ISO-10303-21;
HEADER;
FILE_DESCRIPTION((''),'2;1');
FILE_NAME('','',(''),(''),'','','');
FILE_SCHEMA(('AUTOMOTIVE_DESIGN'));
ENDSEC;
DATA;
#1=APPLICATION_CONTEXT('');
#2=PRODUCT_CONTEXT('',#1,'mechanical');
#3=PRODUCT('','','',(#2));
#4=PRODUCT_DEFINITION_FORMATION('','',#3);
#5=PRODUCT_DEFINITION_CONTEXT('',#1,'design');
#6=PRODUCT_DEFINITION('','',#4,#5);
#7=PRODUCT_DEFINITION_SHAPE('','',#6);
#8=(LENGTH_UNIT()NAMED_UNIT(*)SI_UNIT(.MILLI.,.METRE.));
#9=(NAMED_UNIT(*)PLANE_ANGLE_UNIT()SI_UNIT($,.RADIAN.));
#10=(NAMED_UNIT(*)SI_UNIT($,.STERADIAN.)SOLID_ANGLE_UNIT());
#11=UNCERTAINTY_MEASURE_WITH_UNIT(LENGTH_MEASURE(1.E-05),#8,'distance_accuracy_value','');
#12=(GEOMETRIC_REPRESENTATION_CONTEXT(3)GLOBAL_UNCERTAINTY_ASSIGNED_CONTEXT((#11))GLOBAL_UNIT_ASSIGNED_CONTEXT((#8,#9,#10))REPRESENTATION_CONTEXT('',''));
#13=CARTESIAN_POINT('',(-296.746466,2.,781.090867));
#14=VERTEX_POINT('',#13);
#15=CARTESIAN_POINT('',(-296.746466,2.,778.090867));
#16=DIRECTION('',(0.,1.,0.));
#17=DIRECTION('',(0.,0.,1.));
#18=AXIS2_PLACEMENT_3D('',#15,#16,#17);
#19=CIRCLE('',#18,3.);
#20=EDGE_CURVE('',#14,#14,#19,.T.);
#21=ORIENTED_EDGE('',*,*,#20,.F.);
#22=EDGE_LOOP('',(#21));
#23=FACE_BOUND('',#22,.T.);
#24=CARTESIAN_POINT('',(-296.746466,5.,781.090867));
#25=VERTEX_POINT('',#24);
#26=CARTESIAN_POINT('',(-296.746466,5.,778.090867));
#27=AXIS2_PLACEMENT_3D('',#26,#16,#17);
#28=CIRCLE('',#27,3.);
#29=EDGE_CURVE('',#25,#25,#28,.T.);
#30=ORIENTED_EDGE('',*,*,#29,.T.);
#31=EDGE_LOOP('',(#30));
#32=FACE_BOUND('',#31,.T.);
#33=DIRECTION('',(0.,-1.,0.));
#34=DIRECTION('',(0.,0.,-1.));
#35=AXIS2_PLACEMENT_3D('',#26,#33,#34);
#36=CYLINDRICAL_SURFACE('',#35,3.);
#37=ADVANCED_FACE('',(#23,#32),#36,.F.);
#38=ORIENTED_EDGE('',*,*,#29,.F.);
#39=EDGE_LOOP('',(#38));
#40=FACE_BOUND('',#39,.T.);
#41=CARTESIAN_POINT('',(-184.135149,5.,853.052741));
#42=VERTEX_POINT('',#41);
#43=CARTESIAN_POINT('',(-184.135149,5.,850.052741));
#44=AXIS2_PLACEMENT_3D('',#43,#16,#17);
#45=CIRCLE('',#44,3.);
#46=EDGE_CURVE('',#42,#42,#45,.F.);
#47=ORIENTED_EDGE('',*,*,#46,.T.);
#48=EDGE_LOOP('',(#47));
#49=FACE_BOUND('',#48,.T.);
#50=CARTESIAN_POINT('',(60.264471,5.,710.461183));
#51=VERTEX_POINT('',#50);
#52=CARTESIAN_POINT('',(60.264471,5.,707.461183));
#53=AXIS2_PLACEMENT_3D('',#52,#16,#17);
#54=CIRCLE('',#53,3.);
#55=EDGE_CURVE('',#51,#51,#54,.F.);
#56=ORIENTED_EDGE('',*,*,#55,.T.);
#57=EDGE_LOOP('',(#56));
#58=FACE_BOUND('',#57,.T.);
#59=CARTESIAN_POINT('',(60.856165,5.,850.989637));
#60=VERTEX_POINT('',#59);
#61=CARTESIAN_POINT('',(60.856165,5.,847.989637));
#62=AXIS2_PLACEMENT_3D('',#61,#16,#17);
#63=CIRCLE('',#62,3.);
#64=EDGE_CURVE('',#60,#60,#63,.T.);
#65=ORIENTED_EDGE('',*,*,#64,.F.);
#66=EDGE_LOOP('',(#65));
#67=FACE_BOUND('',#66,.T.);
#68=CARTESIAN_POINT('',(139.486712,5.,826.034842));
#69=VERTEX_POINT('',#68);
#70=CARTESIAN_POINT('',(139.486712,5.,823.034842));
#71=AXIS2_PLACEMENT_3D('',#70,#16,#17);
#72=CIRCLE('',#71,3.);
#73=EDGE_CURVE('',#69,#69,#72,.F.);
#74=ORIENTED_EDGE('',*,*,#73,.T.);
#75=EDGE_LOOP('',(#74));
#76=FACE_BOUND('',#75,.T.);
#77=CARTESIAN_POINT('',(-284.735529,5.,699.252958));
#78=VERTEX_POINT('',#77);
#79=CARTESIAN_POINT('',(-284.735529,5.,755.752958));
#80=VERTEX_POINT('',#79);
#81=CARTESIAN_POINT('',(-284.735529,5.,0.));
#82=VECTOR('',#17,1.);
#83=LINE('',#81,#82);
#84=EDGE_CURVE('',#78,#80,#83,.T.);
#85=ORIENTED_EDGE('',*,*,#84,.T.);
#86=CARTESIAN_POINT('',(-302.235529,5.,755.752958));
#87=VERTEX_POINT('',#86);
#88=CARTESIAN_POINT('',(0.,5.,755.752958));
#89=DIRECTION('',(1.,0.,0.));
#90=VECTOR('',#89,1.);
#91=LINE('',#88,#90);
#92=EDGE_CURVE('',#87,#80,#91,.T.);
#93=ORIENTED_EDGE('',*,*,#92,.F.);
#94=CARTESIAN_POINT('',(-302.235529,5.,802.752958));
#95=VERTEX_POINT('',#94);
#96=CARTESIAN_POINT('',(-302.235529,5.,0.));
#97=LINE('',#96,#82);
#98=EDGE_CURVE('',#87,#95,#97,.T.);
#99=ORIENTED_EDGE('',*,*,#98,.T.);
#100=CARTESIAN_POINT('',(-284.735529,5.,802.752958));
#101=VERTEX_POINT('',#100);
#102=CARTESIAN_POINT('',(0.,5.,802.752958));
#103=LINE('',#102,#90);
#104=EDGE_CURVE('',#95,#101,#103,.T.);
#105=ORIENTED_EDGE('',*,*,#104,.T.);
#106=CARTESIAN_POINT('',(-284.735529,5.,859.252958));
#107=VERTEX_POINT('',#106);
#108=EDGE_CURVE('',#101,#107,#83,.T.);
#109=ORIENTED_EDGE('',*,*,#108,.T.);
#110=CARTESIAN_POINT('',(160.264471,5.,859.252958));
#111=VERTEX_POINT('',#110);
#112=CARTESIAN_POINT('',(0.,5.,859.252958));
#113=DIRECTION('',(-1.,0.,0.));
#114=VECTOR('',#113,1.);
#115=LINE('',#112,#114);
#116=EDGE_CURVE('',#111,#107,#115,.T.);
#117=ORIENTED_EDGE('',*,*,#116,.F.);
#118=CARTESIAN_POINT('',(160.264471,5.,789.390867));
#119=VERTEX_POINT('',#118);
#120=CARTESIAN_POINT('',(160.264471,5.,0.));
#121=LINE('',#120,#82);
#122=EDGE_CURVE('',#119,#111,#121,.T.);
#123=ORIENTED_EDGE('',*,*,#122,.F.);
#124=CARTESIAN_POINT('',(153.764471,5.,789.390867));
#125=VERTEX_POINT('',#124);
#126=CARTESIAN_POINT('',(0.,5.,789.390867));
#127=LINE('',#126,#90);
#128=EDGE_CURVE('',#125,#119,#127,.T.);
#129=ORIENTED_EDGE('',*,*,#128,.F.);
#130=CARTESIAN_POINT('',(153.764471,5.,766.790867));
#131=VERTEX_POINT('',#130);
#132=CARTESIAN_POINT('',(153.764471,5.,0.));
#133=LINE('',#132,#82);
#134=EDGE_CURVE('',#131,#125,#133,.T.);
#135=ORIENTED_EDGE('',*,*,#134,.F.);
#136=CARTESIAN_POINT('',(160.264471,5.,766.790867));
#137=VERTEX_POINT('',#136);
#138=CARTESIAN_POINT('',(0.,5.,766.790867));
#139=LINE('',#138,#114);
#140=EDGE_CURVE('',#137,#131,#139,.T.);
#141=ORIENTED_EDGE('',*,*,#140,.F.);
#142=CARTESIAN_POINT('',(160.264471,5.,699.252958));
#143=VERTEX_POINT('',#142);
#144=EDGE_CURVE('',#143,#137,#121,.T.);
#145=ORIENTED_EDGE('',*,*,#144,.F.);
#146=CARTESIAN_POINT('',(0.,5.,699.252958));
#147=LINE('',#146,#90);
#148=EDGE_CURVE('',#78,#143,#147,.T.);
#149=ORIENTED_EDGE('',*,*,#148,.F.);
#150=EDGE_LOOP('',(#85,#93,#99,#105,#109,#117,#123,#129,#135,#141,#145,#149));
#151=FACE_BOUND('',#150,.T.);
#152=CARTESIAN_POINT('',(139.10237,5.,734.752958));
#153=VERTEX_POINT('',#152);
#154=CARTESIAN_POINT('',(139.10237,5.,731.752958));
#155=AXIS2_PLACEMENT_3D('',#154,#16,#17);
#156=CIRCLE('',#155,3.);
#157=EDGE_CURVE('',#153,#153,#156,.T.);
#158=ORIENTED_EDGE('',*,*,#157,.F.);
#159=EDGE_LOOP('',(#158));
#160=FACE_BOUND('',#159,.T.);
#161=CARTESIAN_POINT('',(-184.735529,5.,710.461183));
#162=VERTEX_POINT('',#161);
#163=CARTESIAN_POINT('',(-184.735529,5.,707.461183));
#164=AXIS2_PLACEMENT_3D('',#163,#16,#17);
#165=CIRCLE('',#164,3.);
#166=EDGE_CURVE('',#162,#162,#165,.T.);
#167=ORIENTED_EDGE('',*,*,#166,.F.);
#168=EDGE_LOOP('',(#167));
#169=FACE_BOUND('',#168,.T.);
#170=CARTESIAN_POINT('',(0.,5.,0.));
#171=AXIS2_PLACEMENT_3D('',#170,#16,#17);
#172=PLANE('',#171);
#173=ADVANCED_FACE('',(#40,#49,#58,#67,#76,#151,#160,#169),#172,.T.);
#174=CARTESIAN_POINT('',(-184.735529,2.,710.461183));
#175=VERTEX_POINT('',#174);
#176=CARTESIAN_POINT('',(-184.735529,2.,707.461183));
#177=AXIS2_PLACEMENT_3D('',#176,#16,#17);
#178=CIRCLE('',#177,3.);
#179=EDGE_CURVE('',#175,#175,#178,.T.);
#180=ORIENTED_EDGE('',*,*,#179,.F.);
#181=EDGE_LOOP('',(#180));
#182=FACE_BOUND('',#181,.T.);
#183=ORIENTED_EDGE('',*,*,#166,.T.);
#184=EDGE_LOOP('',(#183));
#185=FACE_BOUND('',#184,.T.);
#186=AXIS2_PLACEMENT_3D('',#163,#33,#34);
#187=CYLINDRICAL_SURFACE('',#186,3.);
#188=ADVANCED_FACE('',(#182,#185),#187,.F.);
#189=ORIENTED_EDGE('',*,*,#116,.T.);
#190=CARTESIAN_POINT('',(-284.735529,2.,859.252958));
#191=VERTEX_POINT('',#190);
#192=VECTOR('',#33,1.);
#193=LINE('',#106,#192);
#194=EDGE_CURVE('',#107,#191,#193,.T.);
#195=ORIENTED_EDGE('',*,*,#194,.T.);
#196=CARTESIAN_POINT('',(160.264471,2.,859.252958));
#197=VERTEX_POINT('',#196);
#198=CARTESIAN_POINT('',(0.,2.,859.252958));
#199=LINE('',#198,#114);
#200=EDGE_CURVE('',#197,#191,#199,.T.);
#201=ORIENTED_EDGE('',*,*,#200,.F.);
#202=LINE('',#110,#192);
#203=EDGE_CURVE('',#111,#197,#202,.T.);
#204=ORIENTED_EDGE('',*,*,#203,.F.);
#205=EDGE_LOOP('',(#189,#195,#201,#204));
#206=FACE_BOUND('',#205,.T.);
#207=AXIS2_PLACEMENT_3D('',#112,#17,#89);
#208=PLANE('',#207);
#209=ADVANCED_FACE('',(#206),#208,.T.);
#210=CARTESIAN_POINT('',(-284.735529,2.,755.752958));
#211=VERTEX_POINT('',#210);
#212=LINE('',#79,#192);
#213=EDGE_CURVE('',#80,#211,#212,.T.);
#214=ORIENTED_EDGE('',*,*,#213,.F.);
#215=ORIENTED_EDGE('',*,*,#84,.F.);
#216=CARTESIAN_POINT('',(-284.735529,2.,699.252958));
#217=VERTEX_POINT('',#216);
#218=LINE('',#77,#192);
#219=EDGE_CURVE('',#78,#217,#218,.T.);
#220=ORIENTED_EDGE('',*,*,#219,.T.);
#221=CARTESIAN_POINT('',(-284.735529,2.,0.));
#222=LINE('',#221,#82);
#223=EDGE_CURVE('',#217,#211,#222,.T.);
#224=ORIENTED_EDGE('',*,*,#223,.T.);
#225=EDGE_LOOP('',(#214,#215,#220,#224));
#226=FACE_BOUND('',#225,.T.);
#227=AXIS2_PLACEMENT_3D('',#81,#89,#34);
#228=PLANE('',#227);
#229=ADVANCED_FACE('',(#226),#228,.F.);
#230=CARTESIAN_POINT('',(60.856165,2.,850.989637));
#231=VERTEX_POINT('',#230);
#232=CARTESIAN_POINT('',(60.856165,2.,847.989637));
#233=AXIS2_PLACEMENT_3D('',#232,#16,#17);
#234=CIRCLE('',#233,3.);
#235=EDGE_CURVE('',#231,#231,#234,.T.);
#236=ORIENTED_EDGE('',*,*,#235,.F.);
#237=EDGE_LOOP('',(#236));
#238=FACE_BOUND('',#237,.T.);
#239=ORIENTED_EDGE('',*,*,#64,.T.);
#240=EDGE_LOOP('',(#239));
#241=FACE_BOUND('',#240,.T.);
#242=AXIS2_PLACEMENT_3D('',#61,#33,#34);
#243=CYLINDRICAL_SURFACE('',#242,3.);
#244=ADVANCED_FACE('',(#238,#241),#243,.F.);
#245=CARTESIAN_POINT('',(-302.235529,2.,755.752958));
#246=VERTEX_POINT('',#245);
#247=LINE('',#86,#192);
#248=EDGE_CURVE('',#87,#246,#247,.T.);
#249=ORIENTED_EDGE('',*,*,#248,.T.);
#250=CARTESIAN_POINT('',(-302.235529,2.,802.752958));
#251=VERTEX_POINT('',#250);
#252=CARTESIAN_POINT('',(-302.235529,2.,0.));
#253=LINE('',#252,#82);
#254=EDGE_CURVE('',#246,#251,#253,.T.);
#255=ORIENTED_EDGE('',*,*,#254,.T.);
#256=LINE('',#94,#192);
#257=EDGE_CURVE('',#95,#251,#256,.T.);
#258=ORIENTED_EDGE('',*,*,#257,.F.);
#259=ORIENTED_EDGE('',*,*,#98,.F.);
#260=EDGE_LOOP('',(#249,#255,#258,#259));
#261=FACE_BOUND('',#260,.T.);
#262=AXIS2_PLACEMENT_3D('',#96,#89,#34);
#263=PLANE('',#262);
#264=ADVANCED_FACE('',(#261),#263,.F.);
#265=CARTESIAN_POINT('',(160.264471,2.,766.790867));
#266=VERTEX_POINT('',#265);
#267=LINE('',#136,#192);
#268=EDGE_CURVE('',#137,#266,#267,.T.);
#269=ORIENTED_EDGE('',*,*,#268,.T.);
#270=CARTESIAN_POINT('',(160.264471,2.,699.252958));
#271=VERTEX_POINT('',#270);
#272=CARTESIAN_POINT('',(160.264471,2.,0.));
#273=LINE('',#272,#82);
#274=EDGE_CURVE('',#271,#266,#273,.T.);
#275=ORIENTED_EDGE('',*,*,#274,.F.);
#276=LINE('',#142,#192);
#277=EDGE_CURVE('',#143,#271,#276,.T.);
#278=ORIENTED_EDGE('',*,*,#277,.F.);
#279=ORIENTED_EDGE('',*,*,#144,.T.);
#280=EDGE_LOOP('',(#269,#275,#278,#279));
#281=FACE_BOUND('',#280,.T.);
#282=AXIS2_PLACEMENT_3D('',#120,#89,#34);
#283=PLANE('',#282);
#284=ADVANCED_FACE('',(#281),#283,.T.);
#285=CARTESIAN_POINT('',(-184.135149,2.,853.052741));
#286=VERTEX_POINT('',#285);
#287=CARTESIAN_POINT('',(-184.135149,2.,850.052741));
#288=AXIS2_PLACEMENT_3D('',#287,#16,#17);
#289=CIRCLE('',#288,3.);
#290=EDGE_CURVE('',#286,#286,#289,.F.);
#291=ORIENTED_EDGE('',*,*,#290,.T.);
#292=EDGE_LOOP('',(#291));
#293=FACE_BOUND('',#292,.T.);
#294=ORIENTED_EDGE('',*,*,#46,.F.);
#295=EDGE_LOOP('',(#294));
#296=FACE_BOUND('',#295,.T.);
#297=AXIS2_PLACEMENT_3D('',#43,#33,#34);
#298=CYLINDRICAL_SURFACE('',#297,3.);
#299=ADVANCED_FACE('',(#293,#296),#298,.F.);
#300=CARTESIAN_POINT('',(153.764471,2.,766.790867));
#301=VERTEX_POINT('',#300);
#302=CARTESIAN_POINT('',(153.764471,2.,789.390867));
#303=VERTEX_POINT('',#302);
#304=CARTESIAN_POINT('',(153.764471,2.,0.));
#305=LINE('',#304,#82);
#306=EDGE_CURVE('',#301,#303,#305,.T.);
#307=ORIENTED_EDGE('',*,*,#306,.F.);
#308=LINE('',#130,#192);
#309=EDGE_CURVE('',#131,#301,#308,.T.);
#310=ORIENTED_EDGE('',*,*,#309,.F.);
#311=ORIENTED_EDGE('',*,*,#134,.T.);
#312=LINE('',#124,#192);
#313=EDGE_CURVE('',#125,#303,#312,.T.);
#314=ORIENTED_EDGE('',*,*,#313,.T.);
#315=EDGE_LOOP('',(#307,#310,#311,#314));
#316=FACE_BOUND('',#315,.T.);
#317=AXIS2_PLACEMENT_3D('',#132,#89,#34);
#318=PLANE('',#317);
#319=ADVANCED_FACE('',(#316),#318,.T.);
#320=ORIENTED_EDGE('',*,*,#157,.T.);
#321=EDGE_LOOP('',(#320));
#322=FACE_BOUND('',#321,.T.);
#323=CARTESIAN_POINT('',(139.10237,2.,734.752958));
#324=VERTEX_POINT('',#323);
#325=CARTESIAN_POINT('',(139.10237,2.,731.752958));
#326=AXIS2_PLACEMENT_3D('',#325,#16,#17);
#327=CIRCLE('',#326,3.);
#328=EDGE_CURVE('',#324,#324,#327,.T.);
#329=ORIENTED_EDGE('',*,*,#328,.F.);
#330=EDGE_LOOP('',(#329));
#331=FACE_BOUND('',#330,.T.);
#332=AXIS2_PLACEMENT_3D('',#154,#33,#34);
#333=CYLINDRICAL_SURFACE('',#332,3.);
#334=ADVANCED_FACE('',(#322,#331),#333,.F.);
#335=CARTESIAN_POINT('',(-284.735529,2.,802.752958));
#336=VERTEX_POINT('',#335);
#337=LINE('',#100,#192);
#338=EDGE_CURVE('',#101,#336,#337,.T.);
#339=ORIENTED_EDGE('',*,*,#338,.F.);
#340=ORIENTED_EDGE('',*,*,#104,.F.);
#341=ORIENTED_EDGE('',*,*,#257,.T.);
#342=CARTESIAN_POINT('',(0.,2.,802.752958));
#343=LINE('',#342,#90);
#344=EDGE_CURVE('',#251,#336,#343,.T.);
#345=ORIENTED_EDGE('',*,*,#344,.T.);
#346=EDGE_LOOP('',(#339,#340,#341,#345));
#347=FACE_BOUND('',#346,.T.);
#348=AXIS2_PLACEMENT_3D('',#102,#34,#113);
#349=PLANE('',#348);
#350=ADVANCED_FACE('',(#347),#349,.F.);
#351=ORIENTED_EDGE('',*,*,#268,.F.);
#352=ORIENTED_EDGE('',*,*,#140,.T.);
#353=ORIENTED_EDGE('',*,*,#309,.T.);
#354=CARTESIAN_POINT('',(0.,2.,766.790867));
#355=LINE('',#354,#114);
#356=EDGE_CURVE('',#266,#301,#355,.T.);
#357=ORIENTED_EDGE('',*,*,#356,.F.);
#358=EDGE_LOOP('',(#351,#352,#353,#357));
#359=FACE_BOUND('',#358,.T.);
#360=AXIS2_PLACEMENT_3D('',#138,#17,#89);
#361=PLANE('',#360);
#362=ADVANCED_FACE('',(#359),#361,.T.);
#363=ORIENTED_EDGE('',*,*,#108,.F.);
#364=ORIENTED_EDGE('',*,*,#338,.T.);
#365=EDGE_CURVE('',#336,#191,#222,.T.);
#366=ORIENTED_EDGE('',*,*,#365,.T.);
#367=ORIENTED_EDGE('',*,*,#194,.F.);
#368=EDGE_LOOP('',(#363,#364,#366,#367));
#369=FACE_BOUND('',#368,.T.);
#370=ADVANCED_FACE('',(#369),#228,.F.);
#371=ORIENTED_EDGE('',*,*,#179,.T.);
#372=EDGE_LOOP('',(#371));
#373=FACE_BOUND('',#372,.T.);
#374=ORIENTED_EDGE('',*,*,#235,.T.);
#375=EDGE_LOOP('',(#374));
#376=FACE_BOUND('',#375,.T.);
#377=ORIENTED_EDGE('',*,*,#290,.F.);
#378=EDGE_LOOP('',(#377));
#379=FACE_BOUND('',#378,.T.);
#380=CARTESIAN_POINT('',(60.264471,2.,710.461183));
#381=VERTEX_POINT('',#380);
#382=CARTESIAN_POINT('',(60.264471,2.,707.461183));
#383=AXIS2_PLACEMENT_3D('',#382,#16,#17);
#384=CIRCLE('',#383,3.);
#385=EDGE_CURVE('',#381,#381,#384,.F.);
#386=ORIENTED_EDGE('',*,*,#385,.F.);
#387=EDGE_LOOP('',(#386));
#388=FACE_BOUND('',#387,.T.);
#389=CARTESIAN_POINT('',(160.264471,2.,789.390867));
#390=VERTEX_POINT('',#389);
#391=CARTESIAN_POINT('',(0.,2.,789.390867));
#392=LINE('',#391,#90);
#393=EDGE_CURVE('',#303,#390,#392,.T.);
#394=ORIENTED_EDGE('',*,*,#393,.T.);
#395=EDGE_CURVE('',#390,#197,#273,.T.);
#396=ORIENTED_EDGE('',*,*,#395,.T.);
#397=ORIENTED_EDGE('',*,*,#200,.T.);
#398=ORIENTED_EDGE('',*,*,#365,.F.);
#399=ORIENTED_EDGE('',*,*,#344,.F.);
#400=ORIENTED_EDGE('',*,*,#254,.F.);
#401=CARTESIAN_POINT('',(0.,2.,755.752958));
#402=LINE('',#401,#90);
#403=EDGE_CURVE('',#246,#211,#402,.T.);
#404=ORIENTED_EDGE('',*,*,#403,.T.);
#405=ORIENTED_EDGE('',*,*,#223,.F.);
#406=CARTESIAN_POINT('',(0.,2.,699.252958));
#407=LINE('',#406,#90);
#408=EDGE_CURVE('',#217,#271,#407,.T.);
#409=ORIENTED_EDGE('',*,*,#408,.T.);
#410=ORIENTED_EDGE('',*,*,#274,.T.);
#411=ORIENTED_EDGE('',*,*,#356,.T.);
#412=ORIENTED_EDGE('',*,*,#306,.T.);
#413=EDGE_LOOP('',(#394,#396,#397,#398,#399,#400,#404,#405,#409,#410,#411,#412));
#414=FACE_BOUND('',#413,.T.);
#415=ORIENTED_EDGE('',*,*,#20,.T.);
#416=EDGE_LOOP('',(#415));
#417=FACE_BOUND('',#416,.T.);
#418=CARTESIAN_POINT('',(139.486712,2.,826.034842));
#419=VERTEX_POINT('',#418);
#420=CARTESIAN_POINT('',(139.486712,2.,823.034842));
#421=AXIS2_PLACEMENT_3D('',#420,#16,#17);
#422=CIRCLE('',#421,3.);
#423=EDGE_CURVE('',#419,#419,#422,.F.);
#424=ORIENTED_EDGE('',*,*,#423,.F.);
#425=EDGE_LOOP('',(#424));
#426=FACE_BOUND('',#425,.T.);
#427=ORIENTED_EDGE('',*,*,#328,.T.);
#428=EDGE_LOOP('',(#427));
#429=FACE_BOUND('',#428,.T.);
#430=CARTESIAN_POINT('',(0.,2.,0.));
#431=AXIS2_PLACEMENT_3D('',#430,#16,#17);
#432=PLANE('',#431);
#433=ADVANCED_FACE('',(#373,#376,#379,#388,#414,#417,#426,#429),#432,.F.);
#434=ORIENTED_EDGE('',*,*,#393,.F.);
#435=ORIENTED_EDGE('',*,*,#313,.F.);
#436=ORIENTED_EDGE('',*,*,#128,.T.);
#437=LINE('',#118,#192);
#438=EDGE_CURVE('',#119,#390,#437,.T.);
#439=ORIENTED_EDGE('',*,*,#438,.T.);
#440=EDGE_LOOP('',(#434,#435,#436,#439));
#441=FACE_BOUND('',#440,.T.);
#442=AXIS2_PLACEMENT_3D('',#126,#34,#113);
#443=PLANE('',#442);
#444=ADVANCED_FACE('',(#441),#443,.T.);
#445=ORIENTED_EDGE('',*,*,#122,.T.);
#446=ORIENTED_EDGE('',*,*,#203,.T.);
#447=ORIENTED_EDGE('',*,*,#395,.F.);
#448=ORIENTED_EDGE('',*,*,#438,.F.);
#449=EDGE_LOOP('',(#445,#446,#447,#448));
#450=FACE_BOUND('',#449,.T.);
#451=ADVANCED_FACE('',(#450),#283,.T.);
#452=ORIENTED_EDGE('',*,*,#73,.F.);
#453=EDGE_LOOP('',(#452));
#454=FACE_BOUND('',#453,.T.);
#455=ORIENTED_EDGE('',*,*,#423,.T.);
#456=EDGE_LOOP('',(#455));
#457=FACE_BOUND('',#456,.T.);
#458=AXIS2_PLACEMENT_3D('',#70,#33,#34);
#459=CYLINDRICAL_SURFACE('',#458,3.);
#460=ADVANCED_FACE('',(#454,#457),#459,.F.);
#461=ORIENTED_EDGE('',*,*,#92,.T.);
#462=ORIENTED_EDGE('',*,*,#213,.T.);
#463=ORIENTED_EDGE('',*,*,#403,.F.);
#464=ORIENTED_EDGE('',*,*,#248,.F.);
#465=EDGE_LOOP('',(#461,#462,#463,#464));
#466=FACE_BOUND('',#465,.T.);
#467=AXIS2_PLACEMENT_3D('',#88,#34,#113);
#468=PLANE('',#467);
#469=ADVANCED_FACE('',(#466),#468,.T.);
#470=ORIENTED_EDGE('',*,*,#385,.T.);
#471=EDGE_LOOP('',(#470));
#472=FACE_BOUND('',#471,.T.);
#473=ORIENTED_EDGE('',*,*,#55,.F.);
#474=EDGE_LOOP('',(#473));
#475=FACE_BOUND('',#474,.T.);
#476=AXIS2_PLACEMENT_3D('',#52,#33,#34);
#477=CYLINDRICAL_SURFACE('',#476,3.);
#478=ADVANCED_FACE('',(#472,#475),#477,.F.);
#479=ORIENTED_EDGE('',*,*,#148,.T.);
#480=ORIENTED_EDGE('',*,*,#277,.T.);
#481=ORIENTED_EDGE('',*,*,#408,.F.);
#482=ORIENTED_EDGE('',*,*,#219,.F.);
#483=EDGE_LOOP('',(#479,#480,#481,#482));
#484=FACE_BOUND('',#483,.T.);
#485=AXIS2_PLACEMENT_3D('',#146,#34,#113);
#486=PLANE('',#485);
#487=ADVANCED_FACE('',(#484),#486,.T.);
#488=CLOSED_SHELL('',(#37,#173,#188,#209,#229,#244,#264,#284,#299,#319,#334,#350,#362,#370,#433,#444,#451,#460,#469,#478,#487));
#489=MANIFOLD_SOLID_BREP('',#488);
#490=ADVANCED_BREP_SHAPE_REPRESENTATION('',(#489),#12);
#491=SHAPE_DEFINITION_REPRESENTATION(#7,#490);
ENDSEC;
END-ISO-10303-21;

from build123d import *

# Parameters (mm, degrees)
BOSS_EXTRUDE1_START = 2
SKETCH1_R           = 3
SKETCH1_R_2         = 3.000000004
SKETCH1_R_3         = 2.999999993
BOSS_EXTRUDE1_DEPTH = 3


with BuildPart() as part:
    # Sketch1 → Boss-Extrude1 (new body)
    with BuildSketch(Plane(origin=(0, 0, 0), x_dir=(1, 0, 0), z_dir=(0, 1, 0)).offset(BOSS_EXTRUDE1_START)):
        Polygon((-302.235528935, -755.752958265), (-284.735528935, -755.752958265), (-284.735528935, -699.252958265), (160.264471065, -699.252958265), (160.264471065, -766.790866852), (153.764471065, -766.790866852), (153.764471065, -789.390866852), (160.264471065, -789.390866852), (160.264471065, -859.252958265), (-284.735528935, -859.252958265), (-284.735528935, -802.752958265), (-302.235528935, -802.752958265), align=None)
        with Locations(Location((-296.74646616, -778.09086684, 0), (0, 0, 270))):
            Circle(SKETCH1_R, mode=Mode.SUBTRACT)
        with Locations(Location((139.102370463, -731.752958265, 0), (0, 0, 270))):
            Circle(SKETCH1_R_2, mode=Mode.SUBTRACT)
        with Locations(Location((139.486711965, -823.034841954, 0), (0, 0, 270))):
            Circle(SKETCH1_R, mode=Mode.SUBTRACT)
        with Locations(Location((-184.735528935, -707.46118256, 0), (0, 0, 270))):
            Circle(SKETCH1_R_2, mode=Mode.SUBTRACT)
        with Locations(Location((60.264471065, -707.46118256, 0), (0, 0, 270))):
            Circle(SKETCH1_R_2, mode=Mode.SUBTRACT)
        with Locations(Location((60.856164784, -847.989637054, 0), (0, 0, 270))):
            Circle(SKETCH1_R, mode=Mode.SUBTRACT)
        with Locations(Location((-184.135148537, -850.052740812, 0), (0, 0, 270))):
            Circle(SKETCH1_R_3, mode=Mode.SUBTRACT)
    extrude(amount=BOSS_EXTRUDE1_DEPTH)


solid = part.part
